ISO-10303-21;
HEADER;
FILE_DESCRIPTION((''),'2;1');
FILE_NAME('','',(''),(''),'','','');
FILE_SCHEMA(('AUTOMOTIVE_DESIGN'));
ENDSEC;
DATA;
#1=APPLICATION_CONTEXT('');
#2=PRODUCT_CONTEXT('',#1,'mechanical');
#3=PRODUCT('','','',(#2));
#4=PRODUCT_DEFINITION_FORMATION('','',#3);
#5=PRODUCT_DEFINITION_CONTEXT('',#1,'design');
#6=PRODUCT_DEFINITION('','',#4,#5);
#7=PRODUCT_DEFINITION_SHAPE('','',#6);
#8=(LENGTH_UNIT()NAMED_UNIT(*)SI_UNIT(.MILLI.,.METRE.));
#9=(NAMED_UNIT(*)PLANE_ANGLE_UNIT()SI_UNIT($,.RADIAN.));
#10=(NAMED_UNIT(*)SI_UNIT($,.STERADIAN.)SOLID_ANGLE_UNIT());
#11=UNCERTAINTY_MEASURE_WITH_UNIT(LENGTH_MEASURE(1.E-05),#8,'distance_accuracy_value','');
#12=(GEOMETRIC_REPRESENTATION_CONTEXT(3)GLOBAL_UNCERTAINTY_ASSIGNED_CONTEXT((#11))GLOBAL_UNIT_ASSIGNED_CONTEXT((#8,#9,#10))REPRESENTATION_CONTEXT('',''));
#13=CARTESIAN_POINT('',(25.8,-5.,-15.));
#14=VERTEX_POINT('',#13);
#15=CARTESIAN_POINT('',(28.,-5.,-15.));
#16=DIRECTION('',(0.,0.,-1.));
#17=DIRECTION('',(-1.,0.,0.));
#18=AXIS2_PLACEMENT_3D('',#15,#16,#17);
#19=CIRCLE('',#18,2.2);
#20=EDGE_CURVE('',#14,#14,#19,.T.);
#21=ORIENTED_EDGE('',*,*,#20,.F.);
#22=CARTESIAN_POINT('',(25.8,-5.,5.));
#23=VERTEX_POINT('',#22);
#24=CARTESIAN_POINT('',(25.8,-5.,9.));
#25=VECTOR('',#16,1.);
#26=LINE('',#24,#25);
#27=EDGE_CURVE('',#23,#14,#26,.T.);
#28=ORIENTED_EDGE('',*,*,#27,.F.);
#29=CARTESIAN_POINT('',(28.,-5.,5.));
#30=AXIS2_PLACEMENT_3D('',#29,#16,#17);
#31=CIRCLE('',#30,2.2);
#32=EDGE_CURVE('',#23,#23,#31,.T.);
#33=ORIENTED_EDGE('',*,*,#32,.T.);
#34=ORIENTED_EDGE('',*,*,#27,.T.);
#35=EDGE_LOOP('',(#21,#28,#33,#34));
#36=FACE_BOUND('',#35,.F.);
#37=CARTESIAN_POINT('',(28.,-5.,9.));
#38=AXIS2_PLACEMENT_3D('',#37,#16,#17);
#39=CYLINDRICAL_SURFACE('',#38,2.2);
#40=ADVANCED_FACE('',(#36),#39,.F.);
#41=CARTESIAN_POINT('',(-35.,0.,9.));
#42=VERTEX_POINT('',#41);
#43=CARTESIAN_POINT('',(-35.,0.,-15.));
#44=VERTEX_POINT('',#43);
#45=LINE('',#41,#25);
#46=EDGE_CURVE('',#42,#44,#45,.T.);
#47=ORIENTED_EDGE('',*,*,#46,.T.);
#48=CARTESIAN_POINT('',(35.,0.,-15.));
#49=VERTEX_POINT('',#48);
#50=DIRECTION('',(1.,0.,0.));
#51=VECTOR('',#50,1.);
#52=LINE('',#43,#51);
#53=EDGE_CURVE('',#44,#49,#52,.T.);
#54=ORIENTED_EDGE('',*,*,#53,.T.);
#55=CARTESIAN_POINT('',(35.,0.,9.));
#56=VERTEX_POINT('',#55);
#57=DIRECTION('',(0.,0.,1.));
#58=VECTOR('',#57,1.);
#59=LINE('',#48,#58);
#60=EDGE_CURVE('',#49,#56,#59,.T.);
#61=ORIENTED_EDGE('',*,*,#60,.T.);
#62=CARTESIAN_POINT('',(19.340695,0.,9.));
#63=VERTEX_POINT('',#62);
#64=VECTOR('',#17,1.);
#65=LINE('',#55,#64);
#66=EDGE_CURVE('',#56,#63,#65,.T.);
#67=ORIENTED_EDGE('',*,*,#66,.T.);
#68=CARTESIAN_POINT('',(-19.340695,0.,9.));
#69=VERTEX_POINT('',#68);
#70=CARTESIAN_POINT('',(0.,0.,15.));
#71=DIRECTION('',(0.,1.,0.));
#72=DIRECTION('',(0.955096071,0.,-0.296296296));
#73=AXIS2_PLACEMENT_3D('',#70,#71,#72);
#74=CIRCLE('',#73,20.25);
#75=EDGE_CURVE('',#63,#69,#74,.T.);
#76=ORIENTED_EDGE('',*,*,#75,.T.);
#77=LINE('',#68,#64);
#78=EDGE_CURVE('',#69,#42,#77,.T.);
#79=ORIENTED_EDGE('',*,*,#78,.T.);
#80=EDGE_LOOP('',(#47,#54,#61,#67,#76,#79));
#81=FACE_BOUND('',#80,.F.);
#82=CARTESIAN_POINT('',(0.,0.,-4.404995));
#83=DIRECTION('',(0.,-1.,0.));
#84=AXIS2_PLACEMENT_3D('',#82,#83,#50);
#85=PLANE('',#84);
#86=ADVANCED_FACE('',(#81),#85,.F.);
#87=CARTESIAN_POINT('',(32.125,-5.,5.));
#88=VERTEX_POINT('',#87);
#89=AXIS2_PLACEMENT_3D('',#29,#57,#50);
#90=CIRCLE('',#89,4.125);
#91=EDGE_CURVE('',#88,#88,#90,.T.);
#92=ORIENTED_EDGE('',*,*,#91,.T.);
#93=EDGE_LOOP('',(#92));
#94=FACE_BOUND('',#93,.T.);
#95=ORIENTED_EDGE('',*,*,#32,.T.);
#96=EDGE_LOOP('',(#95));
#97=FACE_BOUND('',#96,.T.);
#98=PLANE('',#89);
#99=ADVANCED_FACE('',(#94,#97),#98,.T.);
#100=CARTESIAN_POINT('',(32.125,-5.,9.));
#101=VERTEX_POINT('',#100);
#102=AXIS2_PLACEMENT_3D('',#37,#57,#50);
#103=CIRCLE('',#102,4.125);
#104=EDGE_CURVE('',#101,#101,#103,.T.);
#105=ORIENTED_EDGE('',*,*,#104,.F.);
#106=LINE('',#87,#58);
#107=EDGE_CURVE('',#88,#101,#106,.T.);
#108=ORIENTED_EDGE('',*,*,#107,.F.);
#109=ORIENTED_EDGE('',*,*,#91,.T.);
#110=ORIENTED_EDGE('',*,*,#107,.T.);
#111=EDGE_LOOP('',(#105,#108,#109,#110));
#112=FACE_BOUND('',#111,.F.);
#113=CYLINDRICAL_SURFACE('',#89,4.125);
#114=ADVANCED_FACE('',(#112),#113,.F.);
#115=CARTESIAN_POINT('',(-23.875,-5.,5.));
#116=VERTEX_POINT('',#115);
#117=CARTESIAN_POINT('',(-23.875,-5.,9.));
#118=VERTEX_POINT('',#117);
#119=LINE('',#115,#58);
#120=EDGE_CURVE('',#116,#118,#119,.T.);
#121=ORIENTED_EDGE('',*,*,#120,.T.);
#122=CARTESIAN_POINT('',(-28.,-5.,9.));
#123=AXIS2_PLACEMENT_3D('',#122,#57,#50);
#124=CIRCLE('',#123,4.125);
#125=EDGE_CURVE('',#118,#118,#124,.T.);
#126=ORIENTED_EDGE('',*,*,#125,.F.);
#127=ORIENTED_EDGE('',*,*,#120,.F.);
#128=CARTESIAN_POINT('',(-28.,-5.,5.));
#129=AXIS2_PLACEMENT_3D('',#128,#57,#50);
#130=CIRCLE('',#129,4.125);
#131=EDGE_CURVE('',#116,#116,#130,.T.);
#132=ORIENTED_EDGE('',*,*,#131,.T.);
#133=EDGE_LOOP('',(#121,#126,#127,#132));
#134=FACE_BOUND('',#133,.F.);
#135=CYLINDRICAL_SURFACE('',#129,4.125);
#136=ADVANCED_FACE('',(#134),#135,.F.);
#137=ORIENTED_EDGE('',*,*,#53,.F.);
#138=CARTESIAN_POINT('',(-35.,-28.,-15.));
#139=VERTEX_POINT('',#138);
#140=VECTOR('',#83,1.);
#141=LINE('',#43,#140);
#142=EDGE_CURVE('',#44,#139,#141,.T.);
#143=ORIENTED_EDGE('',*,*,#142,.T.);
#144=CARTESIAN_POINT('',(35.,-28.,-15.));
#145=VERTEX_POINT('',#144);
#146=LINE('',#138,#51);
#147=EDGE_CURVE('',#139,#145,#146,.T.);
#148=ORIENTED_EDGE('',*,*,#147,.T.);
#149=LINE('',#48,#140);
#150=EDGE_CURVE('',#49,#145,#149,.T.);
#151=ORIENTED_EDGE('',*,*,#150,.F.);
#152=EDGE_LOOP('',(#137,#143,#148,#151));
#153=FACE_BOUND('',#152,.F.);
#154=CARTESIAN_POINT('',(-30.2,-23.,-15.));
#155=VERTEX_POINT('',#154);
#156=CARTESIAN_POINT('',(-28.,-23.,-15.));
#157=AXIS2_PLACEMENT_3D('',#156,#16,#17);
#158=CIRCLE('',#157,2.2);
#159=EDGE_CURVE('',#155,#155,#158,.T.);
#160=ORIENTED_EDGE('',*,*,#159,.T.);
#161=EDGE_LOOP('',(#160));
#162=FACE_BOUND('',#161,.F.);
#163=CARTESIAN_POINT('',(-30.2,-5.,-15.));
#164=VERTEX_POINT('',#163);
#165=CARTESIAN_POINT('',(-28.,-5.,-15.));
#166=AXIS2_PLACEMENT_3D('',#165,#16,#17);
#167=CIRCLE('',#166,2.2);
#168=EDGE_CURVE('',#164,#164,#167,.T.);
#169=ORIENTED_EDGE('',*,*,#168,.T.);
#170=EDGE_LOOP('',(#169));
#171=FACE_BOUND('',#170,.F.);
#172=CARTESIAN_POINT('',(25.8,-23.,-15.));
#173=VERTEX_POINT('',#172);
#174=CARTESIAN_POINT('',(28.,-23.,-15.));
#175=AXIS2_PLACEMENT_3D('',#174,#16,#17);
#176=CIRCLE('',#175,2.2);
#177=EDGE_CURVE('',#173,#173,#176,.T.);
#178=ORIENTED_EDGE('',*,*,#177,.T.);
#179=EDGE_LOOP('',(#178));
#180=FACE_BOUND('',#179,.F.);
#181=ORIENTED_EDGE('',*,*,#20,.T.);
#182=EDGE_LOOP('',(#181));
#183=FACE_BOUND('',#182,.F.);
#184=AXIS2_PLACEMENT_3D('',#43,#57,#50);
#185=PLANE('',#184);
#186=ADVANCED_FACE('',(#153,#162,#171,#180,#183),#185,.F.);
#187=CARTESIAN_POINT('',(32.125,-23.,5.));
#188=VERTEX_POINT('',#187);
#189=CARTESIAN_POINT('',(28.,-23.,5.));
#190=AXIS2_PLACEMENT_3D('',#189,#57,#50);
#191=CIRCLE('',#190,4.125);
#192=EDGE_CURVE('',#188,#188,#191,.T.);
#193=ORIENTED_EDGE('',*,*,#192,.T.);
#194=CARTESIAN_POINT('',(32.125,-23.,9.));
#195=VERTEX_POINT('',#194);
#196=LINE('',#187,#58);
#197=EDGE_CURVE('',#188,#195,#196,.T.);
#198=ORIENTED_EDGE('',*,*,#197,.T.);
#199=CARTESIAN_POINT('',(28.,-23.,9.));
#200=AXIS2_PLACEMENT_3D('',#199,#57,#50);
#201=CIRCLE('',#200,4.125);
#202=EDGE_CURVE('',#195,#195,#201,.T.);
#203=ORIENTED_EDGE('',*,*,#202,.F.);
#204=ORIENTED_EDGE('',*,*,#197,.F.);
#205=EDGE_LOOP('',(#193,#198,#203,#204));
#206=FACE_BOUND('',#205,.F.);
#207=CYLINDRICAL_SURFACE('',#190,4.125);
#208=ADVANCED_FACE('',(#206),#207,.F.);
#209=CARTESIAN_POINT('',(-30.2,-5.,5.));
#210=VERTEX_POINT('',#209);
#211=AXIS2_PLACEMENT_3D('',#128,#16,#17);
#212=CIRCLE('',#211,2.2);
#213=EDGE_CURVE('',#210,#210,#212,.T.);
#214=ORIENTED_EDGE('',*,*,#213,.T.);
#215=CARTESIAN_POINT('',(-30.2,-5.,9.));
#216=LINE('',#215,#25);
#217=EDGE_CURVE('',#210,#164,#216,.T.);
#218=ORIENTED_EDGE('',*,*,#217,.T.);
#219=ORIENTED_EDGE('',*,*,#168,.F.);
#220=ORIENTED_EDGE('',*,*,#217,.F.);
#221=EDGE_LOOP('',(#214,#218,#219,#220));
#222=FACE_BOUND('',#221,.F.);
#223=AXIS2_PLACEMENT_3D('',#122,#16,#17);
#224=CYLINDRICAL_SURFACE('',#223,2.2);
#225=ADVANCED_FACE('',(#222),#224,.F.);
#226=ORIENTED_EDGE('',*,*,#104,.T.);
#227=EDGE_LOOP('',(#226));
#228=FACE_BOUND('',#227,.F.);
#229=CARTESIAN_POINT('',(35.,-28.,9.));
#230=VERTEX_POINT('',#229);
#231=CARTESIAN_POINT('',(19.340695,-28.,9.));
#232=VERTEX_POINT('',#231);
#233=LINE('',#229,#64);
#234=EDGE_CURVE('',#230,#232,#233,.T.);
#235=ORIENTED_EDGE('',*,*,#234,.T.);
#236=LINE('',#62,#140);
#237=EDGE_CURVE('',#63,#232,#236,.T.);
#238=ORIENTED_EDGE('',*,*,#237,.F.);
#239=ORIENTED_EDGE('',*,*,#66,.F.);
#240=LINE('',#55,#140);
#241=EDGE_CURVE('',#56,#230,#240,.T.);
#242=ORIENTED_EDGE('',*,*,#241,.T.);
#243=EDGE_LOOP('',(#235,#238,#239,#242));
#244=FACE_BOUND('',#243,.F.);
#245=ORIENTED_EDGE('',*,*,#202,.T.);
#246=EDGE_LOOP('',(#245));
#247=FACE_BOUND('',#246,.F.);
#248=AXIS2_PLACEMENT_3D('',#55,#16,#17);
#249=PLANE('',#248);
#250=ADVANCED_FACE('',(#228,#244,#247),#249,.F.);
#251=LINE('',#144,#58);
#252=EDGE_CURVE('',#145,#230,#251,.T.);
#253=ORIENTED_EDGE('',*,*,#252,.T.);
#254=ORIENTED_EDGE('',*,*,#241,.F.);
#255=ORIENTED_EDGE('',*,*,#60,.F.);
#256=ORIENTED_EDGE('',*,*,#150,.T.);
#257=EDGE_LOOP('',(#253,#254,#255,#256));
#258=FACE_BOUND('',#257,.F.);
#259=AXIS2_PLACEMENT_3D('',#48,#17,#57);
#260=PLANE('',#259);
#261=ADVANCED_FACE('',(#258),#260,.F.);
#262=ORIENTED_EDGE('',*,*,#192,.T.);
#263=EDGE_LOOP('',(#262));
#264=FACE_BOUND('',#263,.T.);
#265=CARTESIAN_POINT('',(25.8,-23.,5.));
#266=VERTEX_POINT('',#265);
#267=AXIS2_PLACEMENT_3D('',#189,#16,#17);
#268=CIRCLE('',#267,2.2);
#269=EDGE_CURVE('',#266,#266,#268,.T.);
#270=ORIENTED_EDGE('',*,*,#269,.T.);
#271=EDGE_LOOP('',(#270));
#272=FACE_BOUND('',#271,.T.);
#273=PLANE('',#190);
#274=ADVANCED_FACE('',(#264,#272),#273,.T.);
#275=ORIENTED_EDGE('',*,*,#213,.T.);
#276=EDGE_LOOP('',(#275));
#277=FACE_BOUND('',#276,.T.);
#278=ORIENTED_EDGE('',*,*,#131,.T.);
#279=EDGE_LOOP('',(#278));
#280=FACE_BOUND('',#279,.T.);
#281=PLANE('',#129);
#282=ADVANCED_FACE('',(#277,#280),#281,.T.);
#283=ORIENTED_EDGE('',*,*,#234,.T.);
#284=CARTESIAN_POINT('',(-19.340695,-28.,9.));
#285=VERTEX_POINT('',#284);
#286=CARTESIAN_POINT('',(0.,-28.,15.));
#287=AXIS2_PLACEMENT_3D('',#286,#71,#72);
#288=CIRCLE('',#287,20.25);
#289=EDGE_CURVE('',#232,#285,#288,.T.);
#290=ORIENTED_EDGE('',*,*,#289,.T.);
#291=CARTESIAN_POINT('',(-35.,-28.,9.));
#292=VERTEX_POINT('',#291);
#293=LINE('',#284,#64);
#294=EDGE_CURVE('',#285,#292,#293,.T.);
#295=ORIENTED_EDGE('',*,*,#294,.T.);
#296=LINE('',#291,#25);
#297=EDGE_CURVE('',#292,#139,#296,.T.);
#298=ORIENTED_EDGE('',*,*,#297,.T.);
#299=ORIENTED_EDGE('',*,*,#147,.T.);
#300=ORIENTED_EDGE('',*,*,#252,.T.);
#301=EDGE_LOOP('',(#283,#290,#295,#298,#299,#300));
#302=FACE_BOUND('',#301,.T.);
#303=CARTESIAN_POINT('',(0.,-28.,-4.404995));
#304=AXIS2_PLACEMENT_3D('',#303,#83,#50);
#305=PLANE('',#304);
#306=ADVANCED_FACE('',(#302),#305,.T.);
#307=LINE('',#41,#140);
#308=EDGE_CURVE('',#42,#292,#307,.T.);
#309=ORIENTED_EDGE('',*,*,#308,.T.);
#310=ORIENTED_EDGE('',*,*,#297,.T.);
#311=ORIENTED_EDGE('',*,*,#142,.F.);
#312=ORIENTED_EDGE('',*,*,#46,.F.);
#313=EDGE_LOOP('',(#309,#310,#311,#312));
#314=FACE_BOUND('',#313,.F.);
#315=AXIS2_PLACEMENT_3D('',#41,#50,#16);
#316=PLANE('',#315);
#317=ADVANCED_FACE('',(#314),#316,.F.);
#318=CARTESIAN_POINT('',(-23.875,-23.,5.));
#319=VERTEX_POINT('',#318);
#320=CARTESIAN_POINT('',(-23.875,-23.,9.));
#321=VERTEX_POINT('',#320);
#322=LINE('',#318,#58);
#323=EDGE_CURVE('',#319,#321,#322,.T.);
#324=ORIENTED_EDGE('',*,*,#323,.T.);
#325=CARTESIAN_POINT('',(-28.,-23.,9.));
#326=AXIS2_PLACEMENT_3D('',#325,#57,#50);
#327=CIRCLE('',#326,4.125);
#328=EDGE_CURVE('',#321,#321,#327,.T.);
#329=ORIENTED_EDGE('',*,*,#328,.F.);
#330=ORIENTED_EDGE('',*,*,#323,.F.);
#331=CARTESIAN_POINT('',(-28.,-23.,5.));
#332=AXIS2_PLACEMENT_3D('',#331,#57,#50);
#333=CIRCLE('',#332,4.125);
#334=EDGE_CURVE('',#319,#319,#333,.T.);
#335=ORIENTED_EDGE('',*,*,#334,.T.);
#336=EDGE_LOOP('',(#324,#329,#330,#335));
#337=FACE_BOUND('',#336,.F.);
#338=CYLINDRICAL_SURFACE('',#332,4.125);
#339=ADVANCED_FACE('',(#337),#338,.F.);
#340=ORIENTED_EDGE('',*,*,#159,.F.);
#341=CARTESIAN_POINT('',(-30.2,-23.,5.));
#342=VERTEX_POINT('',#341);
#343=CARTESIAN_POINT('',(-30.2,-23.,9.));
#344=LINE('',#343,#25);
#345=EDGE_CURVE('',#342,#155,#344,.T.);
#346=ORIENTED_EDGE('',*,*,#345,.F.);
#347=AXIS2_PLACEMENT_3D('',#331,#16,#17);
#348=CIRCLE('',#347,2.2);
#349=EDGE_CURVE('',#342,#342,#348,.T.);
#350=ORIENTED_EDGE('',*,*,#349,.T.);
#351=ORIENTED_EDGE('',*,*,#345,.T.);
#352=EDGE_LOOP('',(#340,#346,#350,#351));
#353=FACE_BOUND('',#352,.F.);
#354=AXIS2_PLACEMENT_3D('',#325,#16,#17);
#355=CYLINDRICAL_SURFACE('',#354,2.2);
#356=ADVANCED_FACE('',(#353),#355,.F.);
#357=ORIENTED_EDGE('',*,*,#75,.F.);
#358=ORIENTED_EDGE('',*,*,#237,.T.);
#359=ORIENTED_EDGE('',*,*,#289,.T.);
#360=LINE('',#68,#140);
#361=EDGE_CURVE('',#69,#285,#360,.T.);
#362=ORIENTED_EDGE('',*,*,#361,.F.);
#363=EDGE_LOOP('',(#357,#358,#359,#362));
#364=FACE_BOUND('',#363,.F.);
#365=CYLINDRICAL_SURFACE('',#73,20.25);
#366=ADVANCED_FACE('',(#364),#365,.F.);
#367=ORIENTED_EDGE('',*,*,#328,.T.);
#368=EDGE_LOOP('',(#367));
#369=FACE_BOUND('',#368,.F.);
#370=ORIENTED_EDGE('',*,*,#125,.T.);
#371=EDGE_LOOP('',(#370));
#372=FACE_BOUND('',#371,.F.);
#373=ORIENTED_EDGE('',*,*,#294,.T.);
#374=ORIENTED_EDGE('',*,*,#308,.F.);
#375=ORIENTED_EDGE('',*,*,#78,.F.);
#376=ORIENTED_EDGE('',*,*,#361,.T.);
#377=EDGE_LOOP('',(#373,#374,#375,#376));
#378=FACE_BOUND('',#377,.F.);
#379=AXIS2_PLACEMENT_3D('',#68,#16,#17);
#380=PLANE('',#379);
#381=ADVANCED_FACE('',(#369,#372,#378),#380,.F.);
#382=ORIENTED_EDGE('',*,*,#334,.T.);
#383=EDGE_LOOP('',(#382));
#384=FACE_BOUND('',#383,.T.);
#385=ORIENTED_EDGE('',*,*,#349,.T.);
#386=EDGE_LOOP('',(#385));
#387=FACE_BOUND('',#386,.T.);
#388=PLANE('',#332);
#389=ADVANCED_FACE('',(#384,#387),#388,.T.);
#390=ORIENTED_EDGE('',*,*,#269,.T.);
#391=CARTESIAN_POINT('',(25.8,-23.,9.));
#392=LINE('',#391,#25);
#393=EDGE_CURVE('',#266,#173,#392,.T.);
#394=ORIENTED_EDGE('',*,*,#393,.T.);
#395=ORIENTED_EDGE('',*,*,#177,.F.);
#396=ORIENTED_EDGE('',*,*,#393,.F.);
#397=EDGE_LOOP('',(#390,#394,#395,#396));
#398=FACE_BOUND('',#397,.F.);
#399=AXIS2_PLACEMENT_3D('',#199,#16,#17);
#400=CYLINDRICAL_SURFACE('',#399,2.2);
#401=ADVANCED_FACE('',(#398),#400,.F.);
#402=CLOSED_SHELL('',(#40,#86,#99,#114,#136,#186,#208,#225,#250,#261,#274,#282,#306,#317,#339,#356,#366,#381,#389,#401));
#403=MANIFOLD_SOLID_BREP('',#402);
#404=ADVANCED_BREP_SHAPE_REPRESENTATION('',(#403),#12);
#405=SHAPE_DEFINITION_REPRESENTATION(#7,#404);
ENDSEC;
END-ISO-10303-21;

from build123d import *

# Parameters (mm, degrees)
F1_DEPTH       = 28
F3_D           = 4.4
F3_CBORE_D     = 8.25
F3_CBORE_DEPTH = 4


with BuildPart() as f1:
    # F0 (on Front) → F1 (new body)
    with BuildSketch(Plane.XZ):
        with BuildLine():
            Line((-35, -15), (35, -15))
            Line((35, -15), (35, 9))
            Line((35, 9), (19.3406954373, 9))
            ThreePointArc((19.3406954373, 9), (0, -5.25), (-19.3406954373, 9))
            Line((-19.3406954373, 9), (-35, 9))
            Line((-35, 9), (-35, -15))
        make_face()
    extrude(amount=F1_DEPTH)

    # F3 (through all)
    with Locations(Plane.XY.offset(9)):
        with Locations((-28, -5), (-28, -23), (28, -23), (28, -5)):
            CounterBoreHole(F3_D / 2, F3_CBORE_D / 2, F3_CBORE_DEPTH)


solid = f1.part
